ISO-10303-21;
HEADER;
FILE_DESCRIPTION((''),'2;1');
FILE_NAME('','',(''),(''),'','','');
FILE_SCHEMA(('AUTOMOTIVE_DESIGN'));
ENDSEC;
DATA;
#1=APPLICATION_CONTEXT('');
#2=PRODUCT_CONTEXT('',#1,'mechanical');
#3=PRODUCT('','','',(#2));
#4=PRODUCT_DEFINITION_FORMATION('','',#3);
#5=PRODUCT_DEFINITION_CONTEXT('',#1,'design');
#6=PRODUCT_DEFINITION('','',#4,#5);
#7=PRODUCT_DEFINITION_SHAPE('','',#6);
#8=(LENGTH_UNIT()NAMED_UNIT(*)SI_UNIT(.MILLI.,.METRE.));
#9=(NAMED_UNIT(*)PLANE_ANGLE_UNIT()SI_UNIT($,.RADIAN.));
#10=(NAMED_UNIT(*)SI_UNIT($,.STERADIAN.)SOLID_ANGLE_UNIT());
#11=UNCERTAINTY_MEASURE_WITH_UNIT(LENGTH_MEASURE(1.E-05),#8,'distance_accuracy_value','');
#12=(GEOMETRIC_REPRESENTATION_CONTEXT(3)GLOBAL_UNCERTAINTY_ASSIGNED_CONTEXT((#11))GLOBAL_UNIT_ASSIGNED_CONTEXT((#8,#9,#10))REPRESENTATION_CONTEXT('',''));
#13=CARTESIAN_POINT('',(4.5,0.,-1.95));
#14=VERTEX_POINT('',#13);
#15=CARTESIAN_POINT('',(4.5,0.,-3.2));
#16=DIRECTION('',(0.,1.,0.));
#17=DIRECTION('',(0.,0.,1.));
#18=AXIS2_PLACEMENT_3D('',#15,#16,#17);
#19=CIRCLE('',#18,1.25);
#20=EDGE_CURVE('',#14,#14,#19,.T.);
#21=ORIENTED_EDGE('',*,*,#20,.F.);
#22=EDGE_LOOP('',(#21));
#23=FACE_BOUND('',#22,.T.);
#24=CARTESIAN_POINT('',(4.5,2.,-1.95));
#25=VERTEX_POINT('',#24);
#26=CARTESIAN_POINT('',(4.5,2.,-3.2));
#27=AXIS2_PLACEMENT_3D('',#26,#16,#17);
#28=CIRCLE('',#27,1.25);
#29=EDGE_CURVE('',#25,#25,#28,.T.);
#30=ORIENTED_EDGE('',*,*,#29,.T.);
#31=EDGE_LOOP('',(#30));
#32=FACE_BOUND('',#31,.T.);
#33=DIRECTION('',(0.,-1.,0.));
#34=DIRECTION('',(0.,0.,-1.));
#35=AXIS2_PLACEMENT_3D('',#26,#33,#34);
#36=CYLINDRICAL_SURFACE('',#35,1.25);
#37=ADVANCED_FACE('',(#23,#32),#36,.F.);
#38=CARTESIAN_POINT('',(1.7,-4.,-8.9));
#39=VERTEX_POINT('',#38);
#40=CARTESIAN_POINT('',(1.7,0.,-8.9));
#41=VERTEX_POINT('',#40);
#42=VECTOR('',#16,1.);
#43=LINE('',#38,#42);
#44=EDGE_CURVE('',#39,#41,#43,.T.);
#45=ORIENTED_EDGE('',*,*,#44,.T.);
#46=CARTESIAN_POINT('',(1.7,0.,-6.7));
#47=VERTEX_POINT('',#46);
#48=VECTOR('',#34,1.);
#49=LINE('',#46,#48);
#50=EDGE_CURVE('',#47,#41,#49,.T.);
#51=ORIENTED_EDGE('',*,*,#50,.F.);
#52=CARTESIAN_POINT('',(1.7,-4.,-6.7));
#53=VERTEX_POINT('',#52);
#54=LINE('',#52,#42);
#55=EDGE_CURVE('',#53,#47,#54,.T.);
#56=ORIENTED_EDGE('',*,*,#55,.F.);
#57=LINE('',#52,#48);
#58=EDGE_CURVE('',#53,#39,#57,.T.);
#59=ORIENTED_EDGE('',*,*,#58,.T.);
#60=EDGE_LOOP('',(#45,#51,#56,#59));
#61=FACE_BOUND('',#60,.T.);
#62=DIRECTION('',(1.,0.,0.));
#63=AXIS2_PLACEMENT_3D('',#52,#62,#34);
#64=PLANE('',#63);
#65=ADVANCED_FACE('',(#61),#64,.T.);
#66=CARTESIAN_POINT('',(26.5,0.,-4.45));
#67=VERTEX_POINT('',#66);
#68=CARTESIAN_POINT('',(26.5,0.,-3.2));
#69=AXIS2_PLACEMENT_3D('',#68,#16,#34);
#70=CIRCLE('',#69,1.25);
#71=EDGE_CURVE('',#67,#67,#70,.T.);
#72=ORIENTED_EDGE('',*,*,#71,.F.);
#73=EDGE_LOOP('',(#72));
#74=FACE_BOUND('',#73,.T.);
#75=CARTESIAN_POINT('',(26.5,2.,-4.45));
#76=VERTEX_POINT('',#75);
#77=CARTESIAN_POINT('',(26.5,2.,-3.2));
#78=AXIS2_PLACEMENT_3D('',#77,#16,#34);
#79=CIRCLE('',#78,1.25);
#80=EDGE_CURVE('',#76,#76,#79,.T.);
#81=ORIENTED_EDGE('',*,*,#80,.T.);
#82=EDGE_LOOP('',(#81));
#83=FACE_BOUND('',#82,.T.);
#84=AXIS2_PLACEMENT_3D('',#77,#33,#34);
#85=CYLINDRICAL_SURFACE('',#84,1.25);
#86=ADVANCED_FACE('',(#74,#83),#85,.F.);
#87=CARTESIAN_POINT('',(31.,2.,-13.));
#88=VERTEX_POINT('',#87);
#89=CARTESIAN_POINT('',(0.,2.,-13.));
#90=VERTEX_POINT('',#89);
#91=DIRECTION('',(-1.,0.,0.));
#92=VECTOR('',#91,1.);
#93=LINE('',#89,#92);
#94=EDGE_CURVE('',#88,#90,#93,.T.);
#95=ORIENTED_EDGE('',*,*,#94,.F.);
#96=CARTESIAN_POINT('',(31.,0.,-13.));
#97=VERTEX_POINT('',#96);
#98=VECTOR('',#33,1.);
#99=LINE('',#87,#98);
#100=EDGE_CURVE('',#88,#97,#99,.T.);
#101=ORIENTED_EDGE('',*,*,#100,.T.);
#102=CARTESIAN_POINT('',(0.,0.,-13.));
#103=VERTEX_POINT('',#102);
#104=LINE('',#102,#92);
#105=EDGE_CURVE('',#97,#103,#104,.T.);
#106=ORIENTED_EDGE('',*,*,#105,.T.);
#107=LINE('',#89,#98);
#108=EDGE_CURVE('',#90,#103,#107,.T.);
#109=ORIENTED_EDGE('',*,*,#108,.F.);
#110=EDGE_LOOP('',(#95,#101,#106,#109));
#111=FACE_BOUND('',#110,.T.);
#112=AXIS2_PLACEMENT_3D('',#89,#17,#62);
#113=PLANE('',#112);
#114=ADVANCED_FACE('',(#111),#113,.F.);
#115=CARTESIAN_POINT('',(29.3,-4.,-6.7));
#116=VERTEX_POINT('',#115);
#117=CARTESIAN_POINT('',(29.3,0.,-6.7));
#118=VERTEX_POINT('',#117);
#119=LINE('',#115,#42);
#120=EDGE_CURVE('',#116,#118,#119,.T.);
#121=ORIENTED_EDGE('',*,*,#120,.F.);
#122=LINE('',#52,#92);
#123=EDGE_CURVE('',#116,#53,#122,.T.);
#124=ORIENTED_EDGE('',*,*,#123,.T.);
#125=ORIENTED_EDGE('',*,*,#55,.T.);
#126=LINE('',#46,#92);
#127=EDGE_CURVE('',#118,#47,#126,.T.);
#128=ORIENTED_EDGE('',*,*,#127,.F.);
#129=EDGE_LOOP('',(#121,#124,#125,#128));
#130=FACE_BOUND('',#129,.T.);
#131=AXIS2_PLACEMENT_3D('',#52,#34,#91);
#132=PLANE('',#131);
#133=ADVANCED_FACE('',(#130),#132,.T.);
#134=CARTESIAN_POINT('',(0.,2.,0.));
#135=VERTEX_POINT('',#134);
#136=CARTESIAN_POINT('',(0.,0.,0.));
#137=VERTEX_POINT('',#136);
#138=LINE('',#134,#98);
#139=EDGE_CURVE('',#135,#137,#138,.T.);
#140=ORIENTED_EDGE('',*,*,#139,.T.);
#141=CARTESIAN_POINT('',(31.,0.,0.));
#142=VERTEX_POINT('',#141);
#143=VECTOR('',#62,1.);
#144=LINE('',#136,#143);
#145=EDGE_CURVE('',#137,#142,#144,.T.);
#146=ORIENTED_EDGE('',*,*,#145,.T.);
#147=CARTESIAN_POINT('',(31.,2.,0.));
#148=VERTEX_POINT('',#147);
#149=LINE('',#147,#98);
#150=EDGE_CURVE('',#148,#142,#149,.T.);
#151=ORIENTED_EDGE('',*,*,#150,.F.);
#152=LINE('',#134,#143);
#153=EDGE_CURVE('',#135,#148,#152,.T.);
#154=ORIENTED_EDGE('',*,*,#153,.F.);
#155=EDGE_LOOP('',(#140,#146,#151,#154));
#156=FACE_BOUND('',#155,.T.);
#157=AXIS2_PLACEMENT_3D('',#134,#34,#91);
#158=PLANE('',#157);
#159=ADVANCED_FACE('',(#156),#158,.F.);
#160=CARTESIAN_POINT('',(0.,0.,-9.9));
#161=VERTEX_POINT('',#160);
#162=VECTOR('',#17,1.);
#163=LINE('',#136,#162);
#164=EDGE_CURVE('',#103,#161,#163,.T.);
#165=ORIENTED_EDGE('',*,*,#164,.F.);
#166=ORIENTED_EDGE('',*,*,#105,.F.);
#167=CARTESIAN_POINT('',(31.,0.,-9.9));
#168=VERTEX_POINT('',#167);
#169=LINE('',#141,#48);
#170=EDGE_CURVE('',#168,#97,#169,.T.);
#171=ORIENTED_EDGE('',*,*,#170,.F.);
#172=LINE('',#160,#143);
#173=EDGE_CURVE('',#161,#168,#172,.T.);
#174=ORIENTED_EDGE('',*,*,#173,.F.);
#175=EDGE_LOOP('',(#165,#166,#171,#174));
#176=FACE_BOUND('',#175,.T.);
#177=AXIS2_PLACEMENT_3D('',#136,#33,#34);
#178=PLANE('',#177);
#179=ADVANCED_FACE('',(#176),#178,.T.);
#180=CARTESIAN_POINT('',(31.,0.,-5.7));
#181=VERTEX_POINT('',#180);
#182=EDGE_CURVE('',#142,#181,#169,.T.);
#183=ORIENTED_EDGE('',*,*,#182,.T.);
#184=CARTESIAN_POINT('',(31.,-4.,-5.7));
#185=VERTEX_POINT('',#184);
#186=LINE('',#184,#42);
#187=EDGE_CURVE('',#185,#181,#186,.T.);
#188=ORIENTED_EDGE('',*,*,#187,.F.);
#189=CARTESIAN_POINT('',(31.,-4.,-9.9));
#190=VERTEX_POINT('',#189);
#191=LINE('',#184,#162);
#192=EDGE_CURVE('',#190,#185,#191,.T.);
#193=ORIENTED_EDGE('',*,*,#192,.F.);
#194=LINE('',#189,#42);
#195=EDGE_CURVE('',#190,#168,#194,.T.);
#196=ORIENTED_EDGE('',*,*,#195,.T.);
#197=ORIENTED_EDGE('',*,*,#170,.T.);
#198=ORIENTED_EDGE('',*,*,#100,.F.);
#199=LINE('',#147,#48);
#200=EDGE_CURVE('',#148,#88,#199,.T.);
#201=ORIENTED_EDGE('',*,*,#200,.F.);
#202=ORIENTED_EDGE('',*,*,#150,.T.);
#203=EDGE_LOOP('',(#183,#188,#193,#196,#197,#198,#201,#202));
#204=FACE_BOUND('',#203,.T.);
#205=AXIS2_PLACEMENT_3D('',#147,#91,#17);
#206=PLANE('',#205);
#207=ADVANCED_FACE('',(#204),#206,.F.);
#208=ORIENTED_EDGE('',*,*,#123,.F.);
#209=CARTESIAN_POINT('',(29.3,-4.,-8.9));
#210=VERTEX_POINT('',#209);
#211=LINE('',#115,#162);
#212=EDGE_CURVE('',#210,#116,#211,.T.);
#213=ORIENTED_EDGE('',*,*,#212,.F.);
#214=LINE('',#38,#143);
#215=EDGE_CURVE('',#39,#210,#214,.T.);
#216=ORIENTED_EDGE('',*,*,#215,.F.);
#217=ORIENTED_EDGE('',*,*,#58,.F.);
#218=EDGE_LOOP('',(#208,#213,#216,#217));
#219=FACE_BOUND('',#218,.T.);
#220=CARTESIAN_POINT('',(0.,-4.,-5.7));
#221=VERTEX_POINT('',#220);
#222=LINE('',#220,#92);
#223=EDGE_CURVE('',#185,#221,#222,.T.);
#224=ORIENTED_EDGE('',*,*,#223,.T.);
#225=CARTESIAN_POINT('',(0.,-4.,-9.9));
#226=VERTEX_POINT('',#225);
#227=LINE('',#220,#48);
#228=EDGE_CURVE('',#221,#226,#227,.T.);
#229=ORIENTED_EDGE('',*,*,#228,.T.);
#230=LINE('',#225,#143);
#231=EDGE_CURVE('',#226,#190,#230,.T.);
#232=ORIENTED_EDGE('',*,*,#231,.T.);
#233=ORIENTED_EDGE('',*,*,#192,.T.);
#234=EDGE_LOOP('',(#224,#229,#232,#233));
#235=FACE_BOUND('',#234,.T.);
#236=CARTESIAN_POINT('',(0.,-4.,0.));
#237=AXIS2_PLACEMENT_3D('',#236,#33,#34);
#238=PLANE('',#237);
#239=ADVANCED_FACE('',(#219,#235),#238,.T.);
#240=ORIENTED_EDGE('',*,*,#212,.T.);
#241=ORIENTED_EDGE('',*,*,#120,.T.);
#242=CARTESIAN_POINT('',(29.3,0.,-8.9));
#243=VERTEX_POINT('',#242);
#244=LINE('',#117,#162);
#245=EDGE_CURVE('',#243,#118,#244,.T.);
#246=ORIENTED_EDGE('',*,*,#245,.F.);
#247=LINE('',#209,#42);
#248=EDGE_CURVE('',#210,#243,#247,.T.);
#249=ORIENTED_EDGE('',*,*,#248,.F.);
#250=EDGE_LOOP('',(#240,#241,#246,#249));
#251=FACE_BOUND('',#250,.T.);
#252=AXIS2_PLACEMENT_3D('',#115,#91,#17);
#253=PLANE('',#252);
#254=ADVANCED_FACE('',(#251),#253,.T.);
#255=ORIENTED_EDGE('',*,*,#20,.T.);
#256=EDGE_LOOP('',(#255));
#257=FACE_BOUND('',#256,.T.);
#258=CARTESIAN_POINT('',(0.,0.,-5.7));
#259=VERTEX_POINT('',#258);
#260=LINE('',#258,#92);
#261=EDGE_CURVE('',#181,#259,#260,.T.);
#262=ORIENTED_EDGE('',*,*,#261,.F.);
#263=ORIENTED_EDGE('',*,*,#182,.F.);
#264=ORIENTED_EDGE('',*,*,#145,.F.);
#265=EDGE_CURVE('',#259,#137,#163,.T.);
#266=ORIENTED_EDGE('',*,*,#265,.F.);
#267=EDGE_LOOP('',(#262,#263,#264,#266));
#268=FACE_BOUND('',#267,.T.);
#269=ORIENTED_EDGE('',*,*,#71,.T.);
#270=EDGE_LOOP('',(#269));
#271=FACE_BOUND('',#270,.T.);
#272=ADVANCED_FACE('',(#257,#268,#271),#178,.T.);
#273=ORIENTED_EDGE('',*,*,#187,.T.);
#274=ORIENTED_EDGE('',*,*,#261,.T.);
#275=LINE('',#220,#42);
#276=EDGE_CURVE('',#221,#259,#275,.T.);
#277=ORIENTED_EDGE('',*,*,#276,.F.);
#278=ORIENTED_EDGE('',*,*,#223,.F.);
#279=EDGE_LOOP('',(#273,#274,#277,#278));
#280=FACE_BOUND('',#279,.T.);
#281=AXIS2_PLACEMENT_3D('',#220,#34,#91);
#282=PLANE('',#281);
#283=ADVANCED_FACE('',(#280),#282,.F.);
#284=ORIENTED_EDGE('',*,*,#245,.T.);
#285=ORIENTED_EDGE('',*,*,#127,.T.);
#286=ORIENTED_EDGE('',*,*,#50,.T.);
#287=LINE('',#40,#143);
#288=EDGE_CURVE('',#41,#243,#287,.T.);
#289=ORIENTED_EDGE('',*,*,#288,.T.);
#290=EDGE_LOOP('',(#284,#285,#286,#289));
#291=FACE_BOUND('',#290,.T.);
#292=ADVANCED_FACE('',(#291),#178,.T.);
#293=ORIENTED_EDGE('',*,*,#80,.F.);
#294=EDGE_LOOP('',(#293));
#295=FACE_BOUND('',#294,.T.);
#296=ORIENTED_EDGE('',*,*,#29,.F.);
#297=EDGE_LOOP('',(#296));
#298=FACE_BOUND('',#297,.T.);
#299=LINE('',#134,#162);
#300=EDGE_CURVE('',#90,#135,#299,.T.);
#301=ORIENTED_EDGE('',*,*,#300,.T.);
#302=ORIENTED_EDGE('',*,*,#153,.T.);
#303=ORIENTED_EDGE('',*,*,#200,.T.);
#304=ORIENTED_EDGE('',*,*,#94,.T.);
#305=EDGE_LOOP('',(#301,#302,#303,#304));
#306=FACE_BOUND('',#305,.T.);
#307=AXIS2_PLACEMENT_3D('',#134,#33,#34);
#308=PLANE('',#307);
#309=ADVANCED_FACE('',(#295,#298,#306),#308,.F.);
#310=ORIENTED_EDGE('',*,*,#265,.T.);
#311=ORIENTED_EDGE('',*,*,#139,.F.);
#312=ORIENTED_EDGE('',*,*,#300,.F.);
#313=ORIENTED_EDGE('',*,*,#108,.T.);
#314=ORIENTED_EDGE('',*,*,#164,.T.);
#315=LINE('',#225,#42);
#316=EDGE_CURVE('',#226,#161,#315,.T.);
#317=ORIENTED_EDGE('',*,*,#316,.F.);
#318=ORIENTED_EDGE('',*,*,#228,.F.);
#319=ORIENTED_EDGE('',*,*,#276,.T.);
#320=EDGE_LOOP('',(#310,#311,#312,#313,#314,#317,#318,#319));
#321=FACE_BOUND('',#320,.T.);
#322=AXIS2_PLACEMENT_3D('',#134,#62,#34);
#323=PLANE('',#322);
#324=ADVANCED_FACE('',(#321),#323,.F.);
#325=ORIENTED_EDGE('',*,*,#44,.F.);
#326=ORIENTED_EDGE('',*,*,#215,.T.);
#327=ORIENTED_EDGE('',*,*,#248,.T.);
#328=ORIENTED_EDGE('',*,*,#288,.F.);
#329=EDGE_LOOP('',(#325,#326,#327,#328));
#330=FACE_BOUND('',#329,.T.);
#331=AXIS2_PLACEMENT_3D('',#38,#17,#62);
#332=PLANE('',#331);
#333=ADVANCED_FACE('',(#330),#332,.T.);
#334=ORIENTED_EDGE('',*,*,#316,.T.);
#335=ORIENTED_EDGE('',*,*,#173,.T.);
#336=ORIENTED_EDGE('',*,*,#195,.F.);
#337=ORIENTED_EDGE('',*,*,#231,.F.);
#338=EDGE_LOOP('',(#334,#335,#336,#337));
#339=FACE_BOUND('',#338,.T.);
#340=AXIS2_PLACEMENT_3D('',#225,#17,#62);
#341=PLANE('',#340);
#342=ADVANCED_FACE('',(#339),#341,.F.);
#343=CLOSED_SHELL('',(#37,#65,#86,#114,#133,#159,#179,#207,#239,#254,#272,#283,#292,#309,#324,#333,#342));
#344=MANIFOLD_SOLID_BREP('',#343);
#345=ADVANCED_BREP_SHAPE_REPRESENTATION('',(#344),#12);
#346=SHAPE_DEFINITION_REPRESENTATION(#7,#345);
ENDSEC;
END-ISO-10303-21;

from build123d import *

# Parameters (mm, degrees)
SKETCH1_W           = 31
SKETCH1_H           = 13
SKETCH1_R           = 1.25
BOSS_EXTRUDE1_DEPTH = 2
SKETCH2_W           = 31
SKETCH2_H           = 4.2
SKETCH2_W_2         = 27.6
SKETCH2_H_2         = 2.2
BOSS_EXTRUDE2_DEPTH = 4


with BuildPart() as part:
    # Sketch1 → Boss-Extrude1 (new body)
    with BuildSketch(Plane(origin=(0, 0, 0), x_dir=(1, 0, 0), z_dir=(0, 1, 0))):
        with Locations((15.5, 6.5)):
            Rectangle(SKETCH1_W, SKETCH1_H)
        with Locations(Location((4.5, 3.2, 0), (0, 0, 270))):
            Circle(SKETCH1_R, mode=Mode.SUBTRACT)
        with Locations(Location((26.5, 3.2, 0), (0, 0, 90))):
            Circle(SKETCH1_R, mode=Mode.SUBTRACT)
    extrude(amount=BOSS_EXTRUDE1_DEPTH)

    # Sketch2 → Boss-Extrude2 (add)
    with BuildSketch(Plane.XZ):
        with Locations((15.5, -7.8)):
            Rectangle(SKETCH2_W, SKETCH2_H)
        with Locations((15.5, -7.8)):
            Rectangle(SKETCH2_W_2, SKETCH2_H_2, mode=Mode.SUBTRACT)
    extrude(amount=BOSS_EXTRUDE2_DEPTH)


solid = part.part
